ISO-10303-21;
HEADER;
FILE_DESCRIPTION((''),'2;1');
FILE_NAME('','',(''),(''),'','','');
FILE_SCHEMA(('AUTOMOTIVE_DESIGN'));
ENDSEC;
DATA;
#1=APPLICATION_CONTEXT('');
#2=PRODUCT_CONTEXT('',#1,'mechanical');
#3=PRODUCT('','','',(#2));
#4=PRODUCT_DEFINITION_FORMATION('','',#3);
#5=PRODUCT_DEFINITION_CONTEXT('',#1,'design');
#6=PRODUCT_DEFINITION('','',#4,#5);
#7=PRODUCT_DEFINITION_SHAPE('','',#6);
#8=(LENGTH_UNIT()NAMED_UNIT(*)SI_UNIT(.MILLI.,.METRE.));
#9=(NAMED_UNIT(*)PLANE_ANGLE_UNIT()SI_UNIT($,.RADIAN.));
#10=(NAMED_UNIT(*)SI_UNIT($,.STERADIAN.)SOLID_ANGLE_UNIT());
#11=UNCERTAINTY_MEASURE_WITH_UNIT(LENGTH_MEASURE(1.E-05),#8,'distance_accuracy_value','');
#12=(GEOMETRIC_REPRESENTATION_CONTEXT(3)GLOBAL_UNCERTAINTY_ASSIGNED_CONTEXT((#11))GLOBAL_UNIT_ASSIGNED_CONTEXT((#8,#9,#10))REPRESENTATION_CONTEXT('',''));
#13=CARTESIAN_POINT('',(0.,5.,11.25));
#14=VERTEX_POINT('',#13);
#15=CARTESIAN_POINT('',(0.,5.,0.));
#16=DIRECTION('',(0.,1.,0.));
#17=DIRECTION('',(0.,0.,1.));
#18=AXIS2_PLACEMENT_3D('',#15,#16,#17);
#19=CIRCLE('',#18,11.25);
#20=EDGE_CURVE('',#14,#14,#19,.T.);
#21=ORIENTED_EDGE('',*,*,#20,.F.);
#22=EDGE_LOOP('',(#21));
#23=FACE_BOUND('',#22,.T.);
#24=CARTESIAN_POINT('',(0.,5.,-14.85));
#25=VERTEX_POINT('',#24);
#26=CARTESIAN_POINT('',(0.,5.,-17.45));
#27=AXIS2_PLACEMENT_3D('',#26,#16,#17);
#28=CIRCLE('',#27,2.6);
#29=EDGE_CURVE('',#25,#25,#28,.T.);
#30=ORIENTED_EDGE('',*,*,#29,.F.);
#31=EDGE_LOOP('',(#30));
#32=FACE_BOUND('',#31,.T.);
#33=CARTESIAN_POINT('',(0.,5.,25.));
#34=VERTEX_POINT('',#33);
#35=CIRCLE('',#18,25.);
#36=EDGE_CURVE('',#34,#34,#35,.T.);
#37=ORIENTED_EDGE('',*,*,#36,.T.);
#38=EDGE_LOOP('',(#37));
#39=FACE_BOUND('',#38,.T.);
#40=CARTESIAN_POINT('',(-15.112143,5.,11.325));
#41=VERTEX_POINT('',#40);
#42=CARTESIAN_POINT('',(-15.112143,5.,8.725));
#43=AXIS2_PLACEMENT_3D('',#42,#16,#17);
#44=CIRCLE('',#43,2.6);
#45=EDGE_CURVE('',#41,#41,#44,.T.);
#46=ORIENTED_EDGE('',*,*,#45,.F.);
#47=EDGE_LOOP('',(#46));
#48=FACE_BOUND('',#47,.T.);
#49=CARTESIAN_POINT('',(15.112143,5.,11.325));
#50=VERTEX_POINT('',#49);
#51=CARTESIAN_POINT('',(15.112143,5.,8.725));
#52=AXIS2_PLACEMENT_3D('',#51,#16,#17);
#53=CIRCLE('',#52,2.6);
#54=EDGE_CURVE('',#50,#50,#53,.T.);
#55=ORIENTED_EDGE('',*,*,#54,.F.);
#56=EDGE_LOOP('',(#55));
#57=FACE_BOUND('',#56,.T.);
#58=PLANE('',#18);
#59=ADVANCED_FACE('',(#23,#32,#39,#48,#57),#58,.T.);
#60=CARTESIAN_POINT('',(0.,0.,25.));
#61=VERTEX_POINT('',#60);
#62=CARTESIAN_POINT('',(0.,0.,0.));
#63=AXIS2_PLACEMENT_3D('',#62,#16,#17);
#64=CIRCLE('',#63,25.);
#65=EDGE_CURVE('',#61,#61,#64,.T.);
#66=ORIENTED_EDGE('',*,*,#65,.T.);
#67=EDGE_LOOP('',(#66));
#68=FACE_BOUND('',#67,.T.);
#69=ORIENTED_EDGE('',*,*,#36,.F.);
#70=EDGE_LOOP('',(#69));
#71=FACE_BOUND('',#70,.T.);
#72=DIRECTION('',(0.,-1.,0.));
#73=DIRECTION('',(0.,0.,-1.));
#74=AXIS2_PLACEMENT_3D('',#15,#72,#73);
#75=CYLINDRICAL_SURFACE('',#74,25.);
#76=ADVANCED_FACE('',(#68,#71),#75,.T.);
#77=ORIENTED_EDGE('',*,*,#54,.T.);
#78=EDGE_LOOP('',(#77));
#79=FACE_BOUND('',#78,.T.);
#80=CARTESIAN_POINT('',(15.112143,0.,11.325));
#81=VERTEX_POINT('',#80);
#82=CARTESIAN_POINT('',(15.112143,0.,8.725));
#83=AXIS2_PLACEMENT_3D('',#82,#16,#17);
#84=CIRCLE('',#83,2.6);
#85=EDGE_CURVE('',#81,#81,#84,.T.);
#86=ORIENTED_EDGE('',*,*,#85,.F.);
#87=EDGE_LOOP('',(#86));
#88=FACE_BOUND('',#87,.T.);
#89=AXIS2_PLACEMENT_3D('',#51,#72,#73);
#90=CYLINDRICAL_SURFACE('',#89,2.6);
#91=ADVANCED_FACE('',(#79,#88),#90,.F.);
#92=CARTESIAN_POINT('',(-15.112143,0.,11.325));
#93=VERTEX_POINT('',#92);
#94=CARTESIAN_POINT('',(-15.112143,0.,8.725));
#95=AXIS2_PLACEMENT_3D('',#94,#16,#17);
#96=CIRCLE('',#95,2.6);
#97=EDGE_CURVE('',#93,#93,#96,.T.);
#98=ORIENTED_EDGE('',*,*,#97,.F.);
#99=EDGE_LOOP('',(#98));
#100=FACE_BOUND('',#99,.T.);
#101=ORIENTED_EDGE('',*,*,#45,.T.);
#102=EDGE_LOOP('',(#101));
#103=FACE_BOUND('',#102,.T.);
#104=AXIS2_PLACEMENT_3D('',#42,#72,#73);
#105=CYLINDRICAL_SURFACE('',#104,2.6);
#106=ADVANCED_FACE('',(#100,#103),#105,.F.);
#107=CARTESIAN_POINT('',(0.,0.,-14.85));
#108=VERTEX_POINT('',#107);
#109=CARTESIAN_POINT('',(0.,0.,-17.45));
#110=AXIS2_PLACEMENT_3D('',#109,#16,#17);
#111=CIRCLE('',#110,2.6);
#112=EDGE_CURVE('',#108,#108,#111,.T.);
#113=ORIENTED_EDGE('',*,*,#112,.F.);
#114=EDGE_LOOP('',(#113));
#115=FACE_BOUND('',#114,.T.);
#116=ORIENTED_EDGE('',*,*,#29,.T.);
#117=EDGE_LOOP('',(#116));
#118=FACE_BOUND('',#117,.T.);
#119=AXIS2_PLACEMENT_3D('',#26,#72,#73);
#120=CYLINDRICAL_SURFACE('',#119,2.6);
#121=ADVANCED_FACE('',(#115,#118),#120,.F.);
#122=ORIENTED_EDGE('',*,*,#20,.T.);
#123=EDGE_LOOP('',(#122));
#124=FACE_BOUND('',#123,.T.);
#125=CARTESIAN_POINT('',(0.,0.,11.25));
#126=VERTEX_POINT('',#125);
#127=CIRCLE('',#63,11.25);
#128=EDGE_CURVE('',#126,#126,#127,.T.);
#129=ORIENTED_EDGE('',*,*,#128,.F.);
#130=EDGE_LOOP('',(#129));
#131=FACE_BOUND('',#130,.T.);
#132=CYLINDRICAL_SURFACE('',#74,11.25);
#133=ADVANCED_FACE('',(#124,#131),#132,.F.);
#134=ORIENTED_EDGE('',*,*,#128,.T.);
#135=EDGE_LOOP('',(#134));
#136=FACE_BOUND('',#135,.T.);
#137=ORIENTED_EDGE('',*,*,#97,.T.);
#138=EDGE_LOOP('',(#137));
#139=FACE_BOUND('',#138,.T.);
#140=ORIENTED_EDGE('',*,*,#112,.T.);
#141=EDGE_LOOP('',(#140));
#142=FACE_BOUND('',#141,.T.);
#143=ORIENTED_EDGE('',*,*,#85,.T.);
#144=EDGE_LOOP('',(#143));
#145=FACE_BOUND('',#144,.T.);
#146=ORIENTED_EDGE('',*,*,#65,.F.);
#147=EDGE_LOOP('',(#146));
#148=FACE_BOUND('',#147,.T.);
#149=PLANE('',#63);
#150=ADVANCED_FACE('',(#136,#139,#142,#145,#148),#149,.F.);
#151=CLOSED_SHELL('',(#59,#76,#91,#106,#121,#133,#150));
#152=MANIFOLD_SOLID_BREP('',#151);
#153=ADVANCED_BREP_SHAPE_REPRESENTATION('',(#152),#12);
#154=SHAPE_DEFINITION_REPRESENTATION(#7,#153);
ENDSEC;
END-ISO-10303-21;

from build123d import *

# Parameters (mm, degrees)
SKETCH_1_R      = 25
SKETCH_1_R_2    = 2.6
SKETCH_1_R_3    = 11.25
EXTRUDE_1_DEPTH = 5


with BuildPart() as part:
    # 草图1 → 凸台-拉伸1 (new body)
    with BuildSketch(Plane(origin=(0, 0, 0), x_dir=(1, 0, 0), z_dir=(0, 1, 0))):
        with Locations(Location((0, 0, 0), (0, 0, 270))):
            Circle(SKETCH_1_R)
        with Locations(Location((0, 17.45, 0), (0, 0, 270))):
            Circle(SKETCH_1_R_2, mode=Mode.SUBTRACT)
        with Locations(Location((15.112143296, -8.725, 0), (0, 0, 270))):
            Circle(SKETCH_1_R_2, mode=Mode.SUBTRACT)
        with Locations(Location((-15.112143296, -8.725, 0), (0, 0, 270))):
            Circle(SKETCH_1_R_2, mode=Mode.SUBTRACT)
        with Locations(Location((0, 0, 0), (0, 0, 270))):
            Circle(SKETCH_1_R_3, mode=Mode.SUBTRACT)
    extrude(amount=EXTRUDE_1_DEPTH)


solid = part.part
